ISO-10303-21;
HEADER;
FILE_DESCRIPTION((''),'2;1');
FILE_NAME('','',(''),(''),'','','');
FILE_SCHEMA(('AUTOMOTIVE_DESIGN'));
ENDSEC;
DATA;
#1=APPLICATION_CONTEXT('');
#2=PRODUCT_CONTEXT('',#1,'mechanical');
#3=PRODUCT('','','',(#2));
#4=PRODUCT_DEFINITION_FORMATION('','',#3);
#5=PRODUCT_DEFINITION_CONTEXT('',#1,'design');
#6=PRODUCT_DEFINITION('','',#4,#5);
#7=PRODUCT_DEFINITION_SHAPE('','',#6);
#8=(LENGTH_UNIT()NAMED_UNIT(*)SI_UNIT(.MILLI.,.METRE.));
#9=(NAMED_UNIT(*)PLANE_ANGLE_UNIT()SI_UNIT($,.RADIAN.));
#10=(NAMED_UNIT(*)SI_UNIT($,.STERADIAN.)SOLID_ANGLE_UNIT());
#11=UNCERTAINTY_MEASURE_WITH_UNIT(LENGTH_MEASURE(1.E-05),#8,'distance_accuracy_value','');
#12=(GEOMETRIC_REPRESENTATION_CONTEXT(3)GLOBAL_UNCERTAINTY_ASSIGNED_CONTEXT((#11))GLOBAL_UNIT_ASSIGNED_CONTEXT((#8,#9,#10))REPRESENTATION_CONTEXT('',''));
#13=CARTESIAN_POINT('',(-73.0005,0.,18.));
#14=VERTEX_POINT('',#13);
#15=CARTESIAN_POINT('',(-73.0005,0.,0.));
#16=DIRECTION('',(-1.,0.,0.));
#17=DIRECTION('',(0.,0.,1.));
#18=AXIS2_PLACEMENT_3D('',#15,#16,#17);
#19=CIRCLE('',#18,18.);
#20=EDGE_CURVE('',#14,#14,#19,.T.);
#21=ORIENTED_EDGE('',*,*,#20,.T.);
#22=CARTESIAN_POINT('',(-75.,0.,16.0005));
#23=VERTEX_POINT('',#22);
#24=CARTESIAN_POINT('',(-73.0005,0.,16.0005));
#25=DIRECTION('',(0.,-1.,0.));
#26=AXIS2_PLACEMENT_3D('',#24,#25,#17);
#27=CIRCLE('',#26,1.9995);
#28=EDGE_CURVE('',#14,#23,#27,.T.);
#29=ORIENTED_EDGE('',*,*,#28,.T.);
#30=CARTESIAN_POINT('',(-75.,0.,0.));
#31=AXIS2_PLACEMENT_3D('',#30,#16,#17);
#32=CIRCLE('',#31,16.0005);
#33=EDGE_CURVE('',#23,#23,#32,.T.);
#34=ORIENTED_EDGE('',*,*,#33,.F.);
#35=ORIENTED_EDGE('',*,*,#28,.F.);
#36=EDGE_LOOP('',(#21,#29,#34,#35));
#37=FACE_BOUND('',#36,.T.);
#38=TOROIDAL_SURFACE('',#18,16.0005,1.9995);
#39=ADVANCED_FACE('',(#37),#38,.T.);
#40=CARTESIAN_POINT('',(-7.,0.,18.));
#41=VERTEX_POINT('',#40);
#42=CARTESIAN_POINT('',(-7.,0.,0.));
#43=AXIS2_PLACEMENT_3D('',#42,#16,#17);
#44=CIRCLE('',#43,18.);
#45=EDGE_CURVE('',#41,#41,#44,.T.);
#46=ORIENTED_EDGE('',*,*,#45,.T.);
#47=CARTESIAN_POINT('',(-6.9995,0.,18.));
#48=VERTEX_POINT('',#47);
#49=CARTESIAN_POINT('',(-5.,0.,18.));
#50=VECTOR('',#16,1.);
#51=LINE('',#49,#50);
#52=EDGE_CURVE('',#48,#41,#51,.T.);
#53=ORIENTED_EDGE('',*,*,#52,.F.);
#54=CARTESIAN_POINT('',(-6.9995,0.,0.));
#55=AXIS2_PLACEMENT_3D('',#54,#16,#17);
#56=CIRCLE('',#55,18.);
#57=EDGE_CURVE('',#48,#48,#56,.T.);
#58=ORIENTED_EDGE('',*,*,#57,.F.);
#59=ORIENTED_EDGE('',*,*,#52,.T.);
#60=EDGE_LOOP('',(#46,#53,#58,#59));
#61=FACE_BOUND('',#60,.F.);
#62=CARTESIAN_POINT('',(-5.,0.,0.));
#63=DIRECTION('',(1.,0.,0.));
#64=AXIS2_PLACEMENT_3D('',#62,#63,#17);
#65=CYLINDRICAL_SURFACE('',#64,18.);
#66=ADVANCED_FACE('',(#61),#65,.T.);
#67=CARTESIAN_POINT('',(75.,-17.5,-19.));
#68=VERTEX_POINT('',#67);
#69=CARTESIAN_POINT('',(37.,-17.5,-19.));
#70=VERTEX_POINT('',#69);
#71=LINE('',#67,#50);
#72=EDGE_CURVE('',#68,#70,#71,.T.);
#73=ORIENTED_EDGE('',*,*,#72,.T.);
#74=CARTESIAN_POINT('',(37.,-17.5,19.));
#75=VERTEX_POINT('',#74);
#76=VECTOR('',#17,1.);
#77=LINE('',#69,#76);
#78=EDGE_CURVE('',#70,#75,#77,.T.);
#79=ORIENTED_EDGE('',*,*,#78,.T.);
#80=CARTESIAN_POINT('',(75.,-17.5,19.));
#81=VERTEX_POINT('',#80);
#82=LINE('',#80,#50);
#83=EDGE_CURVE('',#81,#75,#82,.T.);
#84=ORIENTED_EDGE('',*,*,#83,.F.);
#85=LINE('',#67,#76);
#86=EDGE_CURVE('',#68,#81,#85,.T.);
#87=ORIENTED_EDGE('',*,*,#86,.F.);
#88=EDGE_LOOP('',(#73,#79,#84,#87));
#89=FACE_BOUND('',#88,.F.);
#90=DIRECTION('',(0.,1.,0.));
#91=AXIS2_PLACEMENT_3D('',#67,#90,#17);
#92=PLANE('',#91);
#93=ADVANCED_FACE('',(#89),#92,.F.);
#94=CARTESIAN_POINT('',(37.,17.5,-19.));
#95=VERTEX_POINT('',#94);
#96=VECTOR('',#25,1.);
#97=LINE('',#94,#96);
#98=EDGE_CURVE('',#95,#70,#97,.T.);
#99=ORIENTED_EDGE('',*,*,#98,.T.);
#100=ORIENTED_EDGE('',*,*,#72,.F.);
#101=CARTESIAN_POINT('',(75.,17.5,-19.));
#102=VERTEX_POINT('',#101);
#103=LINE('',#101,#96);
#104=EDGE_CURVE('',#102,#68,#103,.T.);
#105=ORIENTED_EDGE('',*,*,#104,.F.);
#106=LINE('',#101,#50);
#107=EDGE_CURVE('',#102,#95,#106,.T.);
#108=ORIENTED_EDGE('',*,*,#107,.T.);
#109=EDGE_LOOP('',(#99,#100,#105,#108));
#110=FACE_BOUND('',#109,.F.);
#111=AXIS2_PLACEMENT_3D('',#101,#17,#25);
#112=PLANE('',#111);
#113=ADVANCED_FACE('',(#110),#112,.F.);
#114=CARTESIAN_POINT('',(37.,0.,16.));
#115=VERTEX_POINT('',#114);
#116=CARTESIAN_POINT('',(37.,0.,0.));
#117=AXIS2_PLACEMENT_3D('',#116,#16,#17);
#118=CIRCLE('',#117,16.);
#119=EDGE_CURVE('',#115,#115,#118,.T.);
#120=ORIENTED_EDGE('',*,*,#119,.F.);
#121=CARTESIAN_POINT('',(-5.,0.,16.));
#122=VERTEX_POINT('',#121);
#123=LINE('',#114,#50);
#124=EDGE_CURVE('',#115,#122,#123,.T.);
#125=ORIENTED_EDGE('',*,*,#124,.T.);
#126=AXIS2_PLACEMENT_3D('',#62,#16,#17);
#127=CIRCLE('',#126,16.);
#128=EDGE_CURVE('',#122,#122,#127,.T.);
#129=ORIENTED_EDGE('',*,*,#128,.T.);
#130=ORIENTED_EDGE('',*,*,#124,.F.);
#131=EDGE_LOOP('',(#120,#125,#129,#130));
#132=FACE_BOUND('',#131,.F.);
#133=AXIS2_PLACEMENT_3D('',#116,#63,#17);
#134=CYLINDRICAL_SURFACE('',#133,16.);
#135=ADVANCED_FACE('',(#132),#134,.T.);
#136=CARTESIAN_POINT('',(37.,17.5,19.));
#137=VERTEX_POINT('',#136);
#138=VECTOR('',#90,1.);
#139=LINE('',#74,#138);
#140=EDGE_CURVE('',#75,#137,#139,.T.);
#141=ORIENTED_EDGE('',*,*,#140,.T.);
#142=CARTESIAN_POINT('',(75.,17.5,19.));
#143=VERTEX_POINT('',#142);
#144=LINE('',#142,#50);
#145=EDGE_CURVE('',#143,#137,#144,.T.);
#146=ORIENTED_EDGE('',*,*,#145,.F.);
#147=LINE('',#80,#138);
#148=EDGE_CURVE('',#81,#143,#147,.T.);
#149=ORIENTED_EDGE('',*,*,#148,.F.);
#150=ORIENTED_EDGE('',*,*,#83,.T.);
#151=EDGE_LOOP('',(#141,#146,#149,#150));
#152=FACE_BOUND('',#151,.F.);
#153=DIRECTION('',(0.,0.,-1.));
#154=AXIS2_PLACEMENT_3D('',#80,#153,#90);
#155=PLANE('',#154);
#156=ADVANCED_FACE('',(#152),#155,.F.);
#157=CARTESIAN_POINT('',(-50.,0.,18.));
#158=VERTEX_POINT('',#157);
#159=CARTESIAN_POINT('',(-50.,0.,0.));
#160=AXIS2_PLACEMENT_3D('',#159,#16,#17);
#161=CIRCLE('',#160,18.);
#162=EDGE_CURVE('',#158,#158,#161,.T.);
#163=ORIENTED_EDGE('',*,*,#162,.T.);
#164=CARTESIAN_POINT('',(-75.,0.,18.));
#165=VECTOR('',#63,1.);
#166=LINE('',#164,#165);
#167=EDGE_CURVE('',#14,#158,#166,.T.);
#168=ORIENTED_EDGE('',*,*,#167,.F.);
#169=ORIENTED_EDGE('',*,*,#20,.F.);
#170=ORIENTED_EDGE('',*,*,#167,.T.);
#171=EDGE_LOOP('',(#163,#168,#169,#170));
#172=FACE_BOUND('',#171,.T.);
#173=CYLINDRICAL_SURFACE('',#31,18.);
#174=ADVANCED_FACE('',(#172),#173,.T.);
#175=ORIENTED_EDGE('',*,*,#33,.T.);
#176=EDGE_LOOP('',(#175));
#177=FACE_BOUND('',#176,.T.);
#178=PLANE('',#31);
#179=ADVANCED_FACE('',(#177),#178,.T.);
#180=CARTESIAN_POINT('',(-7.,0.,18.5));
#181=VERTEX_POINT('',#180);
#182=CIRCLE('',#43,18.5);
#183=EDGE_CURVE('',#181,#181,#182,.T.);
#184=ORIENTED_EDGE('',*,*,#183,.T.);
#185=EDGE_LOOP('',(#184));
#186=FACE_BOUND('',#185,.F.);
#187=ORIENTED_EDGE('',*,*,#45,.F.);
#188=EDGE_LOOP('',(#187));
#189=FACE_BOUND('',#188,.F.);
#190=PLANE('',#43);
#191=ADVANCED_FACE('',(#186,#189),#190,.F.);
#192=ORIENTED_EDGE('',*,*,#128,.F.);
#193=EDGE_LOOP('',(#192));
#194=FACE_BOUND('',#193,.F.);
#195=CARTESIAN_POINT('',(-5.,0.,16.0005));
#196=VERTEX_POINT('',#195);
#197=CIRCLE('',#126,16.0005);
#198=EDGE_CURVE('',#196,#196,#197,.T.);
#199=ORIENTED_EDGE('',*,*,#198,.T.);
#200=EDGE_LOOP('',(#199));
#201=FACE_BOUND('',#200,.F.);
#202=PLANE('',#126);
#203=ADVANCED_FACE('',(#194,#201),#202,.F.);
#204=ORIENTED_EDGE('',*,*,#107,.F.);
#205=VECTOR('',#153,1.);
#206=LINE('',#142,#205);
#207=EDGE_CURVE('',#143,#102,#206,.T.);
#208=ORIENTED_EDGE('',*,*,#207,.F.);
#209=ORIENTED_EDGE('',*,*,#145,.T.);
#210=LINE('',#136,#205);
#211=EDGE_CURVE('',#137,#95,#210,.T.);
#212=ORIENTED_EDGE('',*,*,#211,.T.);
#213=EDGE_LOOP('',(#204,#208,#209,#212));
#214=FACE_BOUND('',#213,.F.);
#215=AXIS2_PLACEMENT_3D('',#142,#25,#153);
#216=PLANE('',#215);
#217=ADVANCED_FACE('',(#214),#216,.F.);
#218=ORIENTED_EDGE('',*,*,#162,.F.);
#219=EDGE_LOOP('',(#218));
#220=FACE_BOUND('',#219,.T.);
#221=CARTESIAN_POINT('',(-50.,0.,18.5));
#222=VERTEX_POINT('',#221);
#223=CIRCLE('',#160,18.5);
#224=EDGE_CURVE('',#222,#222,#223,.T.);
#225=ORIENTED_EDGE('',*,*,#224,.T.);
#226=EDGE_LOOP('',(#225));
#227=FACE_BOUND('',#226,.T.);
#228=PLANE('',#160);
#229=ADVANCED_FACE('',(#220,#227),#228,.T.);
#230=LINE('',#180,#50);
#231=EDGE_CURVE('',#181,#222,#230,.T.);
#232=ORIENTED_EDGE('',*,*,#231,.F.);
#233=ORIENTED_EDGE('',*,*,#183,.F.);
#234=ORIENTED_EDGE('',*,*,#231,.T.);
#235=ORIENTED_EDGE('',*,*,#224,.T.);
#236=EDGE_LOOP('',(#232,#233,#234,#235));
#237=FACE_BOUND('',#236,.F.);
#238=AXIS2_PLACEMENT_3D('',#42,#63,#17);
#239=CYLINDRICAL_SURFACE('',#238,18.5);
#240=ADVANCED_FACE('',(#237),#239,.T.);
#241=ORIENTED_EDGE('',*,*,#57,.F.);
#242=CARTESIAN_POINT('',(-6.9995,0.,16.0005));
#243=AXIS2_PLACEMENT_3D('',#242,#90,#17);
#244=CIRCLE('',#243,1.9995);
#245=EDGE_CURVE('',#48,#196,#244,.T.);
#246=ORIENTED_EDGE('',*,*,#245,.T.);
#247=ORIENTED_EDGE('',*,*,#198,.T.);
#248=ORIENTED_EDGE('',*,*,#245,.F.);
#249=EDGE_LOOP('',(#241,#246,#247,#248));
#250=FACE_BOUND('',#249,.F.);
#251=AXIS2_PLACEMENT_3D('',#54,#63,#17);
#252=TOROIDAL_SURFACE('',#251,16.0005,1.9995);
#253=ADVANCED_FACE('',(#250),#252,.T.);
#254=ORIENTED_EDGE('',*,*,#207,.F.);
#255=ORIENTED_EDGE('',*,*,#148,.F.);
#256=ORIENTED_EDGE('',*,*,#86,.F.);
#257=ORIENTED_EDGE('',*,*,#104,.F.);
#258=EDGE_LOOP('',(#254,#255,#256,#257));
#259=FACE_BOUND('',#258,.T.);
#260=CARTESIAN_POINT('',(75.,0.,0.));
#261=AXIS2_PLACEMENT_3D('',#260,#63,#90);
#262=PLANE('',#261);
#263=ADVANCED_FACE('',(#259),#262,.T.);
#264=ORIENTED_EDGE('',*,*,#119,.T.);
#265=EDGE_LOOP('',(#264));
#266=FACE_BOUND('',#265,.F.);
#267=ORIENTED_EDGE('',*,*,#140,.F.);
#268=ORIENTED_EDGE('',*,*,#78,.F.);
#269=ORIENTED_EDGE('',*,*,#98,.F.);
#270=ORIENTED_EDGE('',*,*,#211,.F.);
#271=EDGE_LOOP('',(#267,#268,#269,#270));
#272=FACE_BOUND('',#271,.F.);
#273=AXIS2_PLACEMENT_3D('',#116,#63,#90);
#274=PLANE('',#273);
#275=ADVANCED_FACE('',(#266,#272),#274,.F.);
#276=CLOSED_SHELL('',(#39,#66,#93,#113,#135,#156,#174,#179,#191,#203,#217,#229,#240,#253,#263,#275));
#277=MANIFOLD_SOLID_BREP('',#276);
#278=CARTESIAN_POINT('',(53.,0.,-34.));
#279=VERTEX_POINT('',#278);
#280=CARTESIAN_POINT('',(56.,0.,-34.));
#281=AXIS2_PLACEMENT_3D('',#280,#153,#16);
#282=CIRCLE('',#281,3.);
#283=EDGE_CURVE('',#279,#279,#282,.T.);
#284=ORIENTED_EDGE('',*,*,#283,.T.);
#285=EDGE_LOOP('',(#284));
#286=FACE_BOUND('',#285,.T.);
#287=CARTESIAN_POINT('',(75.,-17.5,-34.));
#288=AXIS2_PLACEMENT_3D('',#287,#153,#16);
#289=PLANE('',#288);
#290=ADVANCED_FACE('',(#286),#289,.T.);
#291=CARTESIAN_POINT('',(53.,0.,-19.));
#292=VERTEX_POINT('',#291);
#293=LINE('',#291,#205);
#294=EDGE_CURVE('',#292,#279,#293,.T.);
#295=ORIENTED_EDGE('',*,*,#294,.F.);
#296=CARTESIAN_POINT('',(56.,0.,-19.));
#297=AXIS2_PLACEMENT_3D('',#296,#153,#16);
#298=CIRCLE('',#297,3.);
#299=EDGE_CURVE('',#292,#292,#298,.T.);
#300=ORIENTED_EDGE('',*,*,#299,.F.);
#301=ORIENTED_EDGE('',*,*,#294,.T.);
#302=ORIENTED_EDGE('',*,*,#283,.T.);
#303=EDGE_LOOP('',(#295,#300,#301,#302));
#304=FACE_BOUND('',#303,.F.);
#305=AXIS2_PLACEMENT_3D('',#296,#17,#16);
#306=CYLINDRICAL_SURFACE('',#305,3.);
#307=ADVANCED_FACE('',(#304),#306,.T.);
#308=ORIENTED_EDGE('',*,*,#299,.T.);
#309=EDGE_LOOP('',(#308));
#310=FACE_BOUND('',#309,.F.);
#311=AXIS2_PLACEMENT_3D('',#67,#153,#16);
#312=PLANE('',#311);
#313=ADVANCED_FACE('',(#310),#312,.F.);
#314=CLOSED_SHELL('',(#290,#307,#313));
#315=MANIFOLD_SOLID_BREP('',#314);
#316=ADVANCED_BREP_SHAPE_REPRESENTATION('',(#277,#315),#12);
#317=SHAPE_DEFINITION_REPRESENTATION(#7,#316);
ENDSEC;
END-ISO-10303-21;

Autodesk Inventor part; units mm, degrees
ref_plane "YZ Plane" through (0, 0, 0) normal (1, 0, 0) x (0, 1, 0)
ref_plane "XZ Plane" through (0, 0, 0) normal (0, 1, 0) x (-1, 0, 0)
sketch "Sketch1" plane through (0, 0, 0) normal (0, 0, 1) x (1, 0, 0)
  line L0 (-75, 0) -> (75, 0)
  line L1 (-105, 0) -> (105, 0) projected
  point P0 (0, 0)
  dimension "d0" = 150
  dimension "d1" = 75
ref_plane "Work Plane1" through (75, 0, 0) normal (1, 0, 0) x (0, 1, 0)
sketch "Sketch2" plane through (75, 0, 0) normal (1, 0, 0) x (0, 1, 0)
  line L0 (-17.5, 19) -> (17.5, 19)
  line L1 (17.5, 19) -> (17.5, -19)
  line L2 (17.5, -19) -> (-17.5, -19)
  line L3 (-17.5, -19) -> (-17.5, 19)
  line L4 (-17.5, 19) -> (17.5, -19) construction
  line L5 (17.5, 19) -> (-17.5, -19) construction
  point P0 (0, 0)
  dimension "d2" = 35
  dimension "d3" = 38
extrude "Extrusion1" add sketch "Sketch2" against normal blind 38
sketch "Sketch3" plane through (37, 0, 0) normal (-1, 0, 0) x (0, 0, 1)
  circle A0 centre (0, 0) radius 16
  dimension "d6" = 32
extrude "Extrusion2" add sketch "Sketch3" along normal blind 42
sketch "Sketch4" plane through (-5, 0, 0) normal (-1, 0, 0) x (0, 0, 1)
  circle A0 centre (0, 0) radius 18
  dimension "d9" = 36
extrude "Extrusion3" add sketch "Sketch4" along normal blind 2
sketch "Sketch5" plane through (-7, 0, 0) normal (-1, 0, 0) x (0, 0, 1)
  circle A0 centre (0, 0) radius 18.5
  dimension "d12" = 37
extrude "Extrusion4" add sketch "Sketch5" along normal blind 68
sketch "Sketch6" plane through (-75, 0, 0) normal (-1, 0, 0) x (0, 0, 1)
  circle A0 centre (0, 0) radius 18
  circle A1 centre (0, 0) radius 18.5
  dimension "d15" = 36
  dimension "d16" = 37
extrude "Extrusion5" cut sketch "Sketch6" against normal blind 25
fillet "Fillet1" radius 2 2 edges at (-75, 0, -18) (-5, 0, -18)
sketch "Sketch7" plane through (75, -17.5, -19) normal (0, 0, -1) x (-1, 0, 0)
  circle A0 centre (19, 17.5) radius 3
  line L0 (0, 35) -> (38, 35) projected
  line L1 (0, 0) -> (0, 35) projected
  point P0 (75, 17.5)
  dimension "d20" = 6
  dimension "d21" = 17.5
  dimension "d22" = 19
extrude "Extrusion6" add sketch "Sketch7" along normal blind 15 separate body
properties part number "WristMotor"
